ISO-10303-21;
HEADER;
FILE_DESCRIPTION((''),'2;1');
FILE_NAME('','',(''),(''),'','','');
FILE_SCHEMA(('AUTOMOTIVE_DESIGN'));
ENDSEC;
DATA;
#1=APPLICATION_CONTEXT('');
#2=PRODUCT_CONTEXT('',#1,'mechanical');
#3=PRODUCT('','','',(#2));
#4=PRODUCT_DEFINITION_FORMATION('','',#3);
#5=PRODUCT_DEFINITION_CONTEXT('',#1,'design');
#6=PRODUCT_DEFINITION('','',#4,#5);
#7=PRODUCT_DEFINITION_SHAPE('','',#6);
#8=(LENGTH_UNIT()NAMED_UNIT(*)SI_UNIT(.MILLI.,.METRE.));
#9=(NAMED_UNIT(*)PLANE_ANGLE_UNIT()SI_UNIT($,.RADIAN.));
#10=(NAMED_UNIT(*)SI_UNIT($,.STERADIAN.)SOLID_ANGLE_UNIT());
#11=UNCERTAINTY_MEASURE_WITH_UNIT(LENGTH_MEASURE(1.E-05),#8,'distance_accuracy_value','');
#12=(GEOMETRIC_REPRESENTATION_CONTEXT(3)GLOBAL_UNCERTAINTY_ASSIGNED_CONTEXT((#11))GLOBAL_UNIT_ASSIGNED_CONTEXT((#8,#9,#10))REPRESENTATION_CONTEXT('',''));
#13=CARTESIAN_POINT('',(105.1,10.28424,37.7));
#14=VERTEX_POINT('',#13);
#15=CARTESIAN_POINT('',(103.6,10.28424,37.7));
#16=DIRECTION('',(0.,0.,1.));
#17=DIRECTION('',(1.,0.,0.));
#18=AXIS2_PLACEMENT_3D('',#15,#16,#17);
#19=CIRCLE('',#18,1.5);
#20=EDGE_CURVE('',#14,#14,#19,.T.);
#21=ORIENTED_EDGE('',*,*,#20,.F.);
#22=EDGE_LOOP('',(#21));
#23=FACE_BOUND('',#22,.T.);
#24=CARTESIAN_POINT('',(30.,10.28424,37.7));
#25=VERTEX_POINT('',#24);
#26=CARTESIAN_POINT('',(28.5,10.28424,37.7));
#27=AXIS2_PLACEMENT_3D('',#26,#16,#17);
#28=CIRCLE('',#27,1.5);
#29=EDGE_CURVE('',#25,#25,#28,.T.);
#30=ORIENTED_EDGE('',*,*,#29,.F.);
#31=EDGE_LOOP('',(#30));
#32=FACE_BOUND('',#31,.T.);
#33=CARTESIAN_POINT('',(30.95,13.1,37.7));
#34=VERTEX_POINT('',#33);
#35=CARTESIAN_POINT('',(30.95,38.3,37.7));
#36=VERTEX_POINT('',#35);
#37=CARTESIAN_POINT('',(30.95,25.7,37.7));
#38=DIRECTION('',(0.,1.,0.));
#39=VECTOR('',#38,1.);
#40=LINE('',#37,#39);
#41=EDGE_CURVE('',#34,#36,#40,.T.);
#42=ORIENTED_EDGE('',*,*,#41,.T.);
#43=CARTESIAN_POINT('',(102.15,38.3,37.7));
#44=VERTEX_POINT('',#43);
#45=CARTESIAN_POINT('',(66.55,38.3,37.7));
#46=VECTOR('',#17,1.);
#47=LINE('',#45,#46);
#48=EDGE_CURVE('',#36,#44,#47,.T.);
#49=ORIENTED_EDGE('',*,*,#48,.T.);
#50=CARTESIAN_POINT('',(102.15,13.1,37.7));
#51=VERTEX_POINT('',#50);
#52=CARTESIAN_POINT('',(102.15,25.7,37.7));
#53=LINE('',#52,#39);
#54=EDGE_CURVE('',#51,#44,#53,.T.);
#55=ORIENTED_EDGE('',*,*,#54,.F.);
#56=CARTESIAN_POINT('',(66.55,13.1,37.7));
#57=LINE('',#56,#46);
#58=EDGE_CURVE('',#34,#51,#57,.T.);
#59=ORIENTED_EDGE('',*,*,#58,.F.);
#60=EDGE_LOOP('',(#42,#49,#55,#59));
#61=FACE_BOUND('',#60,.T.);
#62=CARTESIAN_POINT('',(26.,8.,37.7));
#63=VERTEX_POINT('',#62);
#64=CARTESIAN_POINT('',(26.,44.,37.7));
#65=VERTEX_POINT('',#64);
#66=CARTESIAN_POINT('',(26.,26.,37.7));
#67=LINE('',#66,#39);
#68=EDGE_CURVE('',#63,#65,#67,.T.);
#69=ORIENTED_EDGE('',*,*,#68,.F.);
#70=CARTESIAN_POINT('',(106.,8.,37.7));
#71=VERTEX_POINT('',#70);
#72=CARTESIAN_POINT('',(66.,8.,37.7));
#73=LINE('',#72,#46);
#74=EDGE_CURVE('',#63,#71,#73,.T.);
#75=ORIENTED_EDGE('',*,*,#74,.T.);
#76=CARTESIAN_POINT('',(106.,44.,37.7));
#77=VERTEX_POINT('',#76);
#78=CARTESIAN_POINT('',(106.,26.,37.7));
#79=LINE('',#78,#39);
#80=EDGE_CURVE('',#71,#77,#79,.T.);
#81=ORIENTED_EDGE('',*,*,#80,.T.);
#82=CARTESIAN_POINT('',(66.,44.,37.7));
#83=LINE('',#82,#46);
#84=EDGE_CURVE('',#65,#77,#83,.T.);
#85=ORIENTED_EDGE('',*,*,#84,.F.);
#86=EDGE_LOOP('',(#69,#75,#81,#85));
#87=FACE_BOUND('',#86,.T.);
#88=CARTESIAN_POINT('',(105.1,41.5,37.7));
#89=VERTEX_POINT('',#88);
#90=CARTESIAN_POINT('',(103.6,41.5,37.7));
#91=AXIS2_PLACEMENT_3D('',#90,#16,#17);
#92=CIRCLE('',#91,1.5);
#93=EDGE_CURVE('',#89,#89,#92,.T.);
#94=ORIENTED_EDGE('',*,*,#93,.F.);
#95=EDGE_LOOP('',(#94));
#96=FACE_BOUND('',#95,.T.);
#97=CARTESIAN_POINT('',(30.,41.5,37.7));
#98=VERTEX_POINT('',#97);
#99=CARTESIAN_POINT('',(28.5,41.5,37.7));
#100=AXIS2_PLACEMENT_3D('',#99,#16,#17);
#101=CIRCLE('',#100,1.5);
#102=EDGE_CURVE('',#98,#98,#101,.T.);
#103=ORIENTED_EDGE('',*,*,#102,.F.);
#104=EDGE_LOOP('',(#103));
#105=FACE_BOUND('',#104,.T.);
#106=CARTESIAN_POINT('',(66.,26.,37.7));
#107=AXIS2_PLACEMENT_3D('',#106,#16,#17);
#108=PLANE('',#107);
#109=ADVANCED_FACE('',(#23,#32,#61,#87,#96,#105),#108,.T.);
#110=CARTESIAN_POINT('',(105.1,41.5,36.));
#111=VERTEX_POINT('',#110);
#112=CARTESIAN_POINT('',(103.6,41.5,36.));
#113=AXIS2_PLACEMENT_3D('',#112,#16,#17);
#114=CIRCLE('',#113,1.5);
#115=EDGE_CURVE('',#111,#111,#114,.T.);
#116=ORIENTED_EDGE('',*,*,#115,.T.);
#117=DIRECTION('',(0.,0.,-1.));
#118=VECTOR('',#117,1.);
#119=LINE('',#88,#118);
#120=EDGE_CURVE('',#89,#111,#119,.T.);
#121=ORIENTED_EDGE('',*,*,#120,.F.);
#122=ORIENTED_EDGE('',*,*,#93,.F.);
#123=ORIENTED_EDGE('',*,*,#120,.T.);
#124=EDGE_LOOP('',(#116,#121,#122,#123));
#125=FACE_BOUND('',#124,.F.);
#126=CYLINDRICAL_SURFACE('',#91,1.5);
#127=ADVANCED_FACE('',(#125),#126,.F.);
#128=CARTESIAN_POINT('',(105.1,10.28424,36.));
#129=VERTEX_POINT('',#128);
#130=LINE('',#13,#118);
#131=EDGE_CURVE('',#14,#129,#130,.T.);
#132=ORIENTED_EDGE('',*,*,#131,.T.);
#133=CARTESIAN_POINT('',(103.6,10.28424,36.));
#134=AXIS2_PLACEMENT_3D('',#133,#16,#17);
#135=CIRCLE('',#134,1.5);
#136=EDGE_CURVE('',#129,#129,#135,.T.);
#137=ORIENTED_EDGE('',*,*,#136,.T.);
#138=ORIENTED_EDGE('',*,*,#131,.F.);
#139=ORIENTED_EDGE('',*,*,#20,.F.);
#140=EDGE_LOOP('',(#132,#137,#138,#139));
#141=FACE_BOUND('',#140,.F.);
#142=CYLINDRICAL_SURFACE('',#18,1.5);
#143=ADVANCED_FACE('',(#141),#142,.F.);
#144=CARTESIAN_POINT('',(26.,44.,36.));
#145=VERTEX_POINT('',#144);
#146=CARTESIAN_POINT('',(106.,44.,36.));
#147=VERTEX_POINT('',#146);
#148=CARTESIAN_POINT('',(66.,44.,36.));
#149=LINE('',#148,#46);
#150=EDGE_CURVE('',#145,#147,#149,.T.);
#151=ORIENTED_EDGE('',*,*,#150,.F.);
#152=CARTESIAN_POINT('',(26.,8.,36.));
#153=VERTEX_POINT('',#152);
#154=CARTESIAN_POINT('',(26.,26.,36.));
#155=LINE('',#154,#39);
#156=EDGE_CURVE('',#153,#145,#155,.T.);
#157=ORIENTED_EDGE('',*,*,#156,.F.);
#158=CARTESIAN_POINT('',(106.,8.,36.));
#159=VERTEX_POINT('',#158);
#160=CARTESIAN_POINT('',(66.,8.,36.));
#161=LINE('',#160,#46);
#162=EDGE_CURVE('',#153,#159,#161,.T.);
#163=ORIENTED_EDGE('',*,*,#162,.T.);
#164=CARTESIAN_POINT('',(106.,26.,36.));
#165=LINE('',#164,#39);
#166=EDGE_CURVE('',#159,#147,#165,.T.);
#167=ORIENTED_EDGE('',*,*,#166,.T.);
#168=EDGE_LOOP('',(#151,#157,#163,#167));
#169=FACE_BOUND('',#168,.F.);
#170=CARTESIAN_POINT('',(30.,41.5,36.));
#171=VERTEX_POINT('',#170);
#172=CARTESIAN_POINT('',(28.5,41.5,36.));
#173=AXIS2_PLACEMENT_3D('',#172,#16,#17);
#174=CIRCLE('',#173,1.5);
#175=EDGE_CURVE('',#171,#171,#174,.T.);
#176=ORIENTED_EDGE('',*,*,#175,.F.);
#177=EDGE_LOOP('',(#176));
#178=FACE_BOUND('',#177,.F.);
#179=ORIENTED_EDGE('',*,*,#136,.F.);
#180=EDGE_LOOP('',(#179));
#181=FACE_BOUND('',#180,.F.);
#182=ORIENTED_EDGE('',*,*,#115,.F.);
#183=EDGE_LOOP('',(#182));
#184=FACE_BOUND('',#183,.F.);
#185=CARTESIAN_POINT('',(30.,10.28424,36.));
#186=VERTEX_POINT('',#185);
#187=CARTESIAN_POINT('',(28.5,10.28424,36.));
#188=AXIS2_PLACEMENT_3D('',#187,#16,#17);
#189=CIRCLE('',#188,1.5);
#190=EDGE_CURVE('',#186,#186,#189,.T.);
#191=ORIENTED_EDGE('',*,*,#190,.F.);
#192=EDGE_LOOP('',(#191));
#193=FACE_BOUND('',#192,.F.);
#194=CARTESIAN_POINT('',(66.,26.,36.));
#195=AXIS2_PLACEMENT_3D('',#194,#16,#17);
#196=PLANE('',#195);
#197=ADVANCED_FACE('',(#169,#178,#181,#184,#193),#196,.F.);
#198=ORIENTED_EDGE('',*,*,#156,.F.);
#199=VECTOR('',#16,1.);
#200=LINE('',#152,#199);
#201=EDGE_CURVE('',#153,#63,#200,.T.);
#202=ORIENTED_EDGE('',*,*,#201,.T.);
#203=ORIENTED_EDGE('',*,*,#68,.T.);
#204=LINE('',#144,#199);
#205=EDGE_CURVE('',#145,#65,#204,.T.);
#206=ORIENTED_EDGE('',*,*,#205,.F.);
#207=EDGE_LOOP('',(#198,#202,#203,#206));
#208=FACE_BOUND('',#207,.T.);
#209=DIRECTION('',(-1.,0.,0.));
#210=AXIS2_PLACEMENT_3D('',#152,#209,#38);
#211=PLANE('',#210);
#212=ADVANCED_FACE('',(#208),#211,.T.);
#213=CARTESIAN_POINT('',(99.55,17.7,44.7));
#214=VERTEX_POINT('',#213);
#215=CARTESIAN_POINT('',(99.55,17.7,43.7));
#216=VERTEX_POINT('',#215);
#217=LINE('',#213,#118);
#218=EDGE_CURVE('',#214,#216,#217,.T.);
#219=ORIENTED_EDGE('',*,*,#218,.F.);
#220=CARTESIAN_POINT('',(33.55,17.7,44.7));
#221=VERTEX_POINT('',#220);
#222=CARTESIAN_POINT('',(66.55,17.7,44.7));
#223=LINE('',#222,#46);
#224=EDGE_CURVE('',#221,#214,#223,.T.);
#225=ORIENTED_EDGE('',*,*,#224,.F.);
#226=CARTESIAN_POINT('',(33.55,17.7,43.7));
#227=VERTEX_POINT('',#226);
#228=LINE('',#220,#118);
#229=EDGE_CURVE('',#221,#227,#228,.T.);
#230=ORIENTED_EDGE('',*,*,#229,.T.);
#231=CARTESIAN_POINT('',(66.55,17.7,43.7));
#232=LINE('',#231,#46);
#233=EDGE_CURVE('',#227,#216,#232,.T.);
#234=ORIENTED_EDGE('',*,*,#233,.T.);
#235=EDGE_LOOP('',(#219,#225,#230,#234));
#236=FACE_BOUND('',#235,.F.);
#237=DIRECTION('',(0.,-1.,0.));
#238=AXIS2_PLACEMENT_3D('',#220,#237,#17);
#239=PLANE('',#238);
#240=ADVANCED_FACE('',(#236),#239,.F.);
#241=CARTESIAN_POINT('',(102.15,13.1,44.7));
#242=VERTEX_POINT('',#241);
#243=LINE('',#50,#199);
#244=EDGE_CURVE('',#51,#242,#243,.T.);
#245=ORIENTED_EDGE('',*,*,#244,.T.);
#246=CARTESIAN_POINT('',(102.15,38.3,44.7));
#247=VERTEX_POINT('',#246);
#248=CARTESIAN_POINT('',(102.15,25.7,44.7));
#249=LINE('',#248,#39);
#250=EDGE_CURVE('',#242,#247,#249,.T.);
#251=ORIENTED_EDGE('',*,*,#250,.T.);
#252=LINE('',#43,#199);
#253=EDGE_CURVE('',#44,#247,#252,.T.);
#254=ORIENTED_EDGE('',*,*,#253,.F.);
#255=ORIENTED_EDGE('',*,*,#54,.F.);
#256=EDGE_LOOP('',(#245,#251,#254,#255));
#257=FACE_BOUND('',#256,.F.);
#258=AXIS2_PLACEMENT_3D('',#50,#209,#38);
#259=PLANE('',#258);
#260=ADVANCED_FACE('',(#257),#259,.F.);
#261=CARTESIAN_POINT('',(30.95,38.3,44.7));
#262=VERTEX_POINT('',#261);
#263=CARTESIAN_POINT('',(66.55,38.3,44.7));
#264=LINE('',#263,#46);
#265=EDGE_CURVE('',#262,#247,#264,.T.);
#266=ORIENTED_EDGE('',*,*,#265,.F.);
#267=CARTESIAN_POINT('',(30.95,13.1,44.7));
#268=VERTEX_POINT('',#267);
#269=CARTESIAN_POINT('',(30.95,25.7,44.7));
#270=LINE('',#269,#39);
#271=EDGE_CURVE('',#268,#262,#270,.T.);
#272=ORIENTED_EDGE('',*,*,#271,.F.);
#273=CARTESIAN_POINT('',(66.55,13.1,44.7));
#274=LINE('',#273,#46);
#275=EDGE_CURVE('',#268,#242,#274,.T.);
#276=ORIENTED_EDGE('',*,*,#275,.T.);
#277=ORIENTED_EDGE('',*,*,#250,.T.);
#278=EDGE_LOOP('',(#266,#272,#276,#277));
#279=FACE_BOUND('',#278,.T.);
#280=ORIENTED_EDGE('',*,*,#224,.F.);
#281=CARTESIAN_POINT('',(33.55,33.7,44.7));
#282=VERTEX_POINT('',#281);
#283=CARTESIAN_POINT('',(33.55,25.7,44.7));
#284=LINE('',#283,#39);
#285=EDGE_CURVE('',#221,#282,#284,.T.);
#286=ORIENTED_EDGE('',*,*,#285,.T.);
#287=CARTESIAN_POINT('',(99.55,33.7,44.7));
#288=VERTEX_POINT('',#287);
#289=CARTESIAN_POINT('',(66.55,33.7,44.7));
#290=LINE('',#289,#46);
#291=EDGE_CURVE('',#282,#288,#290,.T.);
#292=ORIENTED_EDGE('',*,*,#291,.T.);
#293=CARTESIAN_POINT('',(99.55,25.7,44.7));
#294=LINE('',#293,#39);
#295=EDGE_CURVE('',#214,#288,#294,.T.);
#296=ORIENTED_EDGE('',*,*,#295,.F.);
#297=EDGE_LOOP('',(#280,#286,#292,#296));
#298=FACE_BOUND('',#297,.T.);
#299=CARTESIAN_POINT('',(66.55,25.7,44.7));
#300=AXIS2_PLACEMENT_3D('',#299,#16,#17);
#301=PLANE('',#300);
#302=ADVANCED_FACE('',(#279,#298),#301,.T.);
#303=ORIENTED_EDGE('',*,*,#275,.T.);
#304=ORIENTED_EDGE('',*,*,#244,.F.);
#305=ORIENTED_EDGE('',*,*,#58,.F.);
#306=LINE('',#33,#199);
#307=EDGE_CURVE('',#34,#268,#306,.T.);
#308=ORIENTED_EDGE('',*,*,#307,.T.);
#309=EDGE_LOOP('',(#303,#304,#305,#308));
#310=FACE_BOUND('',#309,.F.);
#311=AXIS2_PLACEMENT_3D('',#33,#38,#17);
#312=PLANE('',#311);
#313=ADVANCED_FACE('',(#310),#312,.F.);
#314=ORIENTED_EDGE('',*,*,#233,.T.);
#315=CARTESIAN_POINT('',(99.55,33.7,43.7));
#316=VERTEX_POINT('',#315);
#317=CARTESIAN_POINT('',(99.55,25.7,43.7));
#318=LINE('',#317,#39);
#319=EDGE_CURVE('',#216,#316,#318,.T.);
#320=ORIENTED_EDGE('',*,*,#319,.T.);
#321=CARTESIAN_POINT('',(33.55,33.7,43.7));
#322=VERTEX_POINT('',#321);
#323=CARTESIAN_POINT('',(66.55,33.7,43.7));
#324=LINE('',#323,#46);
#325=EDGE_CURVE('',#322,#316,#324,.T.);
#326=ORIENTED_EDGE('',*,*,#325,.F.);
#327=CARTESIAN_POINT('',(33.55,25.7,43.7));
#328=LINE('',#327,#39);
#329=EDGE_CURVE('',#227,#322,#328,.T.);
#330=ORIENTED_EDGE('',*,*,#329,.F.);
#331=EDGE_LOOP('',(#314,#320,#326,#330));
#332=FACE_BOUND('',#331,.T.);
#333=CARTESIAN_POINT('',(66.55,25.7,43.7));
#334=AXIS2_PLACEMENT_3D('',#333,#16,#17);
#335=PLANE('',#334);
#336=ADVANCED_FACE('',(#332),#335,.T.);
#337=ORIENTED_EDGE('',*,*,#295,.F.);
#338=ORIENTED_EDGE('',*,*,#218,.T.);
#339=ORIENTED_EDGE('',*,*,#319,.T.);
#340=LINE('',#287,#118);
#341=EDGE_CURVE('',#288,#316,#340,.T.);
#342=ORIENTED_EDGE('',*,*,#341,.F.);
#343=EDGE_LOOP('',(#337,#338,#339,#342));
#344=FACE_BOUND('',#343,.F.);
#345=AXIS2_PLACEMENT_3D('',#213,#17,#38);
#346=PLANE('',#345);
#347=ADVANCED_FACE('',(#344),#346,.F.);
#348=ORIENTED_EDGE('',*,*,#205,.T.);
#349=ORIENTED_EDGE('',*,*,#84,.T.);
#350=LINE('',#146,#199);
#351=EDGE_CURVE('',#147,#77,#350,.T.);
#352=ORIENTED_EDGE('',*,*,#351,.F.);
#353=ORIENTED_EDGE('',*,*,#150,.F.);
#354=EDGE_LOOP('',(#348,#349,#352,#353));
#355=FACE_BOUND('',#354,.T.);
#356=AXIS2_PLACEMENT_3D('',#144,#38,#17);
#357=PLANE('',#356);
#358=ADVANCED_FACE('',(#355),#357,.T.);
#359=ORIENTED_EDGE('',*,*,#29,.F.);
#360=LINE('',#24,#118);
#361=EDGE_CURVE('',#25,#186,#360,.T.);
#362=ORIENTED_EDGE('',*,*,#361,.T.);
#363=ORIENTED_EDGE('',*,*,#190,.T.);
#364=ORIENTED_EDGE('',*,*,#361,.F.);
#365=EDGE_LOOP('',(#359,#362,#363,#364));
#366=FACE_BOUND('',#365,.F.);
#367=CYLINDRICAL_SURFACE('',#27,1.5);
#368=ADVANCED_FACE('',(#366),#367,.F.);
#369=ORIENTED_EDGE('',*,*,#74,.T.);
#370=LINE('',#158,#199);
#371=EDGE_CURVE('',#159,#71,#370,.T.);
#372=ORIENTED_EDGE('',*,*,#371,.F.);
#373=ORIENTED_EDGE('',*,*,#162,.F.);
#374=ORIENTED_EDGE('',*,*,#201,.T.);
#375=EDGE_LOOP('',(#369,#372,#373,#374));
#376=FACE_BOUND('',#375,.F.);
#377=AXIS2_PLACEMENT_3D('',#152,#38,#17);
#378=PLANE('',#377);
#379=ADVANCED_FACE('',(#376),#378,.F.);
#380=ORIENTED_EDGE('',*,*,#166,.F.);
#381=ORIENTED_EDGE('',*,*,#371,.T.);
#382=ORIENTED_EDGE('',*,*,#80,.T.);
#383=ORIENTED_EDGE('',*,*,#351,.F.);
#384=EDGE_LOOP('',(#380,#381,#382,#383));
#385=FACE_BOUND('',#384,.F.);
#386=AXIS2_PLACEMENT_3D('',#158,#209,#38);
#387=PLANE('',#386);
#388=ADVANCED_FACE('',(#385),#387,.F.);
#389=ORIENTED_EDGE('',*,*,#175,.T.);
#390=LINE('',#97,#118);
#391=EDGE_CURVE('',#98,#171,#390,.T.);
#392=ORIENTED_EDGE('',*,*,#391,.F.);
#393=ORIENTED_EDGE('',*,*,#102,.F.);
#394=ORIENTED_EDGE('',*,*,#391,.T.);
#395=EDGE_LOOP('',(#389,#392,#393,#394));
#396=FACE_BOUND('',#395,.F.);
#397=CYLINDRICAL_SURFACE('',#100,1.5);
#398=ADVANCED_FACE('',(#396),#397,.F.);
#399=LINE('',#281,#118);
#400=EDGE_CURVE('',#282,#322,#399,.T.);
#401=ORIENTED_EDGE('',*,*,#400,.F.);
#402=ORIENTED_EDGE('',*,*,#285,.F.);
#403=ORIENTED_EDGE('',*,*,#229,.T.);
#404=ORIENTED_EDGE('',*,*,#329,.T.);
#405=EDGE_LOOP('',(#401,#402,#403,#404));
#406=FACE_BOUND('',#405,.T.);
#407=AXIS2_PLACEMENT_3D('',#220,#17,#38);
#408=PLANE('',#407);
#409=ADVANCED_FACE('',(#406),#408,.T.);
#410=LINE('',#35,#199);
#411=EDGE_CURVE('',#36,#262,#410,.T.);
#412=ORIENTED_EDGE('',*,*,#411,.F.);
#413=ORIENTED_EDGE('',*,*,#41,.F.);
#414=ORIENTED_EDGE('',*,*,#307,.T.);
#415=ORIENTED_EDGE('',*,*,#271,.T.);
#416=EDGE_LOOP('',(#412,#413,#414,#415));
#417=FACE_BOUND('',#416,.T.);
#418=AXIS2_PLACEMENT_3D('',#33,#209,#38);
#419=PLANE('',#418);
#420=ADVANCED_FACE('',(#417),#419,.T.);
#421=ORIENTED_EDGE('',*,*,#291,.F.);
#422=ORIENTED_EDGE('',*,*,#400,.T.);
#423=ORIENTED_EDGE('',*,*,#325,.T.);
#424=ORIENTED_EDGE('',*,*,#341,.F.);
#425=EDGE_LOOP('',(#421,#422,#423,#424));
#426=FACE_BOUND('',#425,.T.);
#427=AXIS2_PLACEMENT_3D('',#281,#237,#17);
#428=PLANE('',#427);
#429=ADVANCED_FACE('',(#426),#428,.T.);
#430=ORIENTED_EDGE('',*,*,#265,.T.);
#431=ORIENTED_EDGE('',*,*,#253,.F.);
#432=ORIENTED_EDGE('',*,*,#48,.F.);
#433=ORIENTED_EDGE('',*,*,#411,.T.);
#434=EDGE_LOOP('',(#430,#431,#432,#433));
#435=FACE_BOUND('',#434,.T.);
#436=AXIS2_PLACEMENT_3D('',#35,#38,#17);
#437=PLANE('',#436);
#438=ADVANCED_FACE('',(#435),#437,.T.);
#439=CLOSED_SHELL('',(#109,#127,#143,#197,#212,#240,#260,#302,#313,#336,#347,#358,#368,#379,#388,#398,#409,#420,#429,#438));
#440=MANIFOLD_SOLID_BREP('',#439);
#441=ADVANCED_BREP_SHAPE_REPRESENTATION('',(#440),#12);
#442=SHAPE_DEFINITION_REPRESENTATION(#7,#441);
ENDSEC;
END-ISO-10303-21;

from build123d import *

# Parameters (mm, degrees)
SKETCH031_W     = 80
SKETCH031_H     = 36
PAD009_DEPTH    = 1.7
SKETCH032_W     = 71.2
SKETCH032_H     = 25.2
PAD010_DEPTH    = 7
SKETCH033_R     = 1.5
POCKET008_DEPTH = 1.701
SKETCH034_W     = 66
SKETCH034_H     = 16
POCKET009_DEPTH = 1


with BuildPart() as part:
    # Sketch031 → Pad009 (new body)
    with BuildSketch(Plane.XY):
        with Locations((40, 18)):
            Rectangle(SKETCH031_W, SKETCH031_H)
    extrude(amount=PAD009_DEPTH)

    # Sketch032 (on Face6 of Pad009) → Pad010 (join)
    with BuildSketch(Plane.XY.offset(1.7)):
        with Locations((40.55, 17.7)):
            Rectangle(SKETCH032_W, SKETCH032_H)
    extrude(amount=PAD010_DEPTH)

    # Sketch033 (on Face5 of Pad010) → Pocket008 (cut, through all)
    with BuildSketch(Plane.XY.offset(1.7)):
        with Locations((2.5, 33.5)):
            Circle(SKETCH033_R)
        with Locations((2.5, 2.28424)):
            Circle(SKETCH033_R)
        with Locations((77.6, 33.5)):
            Circle(SKETCH033_R)
        with Locations((77.6, 2.28424)):
            Circle(SKETCH033_R)
    extrude(amount=-POCKET008_DEPTH, mode=Mode.SUBTRACT)

    # Sketch034 (on Face15 of Pocket008) → Pocket009 (cut)
    with BuildSketch(Plane.XY.offset(8.7)):
        with Locations((40.55, 17.7)):
            Rectangle(SKETCH034_W, SKETCH034_H)
    extrude(amount=-POCKET009_DEPTH, mode=Mode.SUBTRACT)


with BuildPart() as part_1:
    # Body009 placement: moved
    add(part.part.moved(Location((26, 8, 36))))


solid = part_1.part
